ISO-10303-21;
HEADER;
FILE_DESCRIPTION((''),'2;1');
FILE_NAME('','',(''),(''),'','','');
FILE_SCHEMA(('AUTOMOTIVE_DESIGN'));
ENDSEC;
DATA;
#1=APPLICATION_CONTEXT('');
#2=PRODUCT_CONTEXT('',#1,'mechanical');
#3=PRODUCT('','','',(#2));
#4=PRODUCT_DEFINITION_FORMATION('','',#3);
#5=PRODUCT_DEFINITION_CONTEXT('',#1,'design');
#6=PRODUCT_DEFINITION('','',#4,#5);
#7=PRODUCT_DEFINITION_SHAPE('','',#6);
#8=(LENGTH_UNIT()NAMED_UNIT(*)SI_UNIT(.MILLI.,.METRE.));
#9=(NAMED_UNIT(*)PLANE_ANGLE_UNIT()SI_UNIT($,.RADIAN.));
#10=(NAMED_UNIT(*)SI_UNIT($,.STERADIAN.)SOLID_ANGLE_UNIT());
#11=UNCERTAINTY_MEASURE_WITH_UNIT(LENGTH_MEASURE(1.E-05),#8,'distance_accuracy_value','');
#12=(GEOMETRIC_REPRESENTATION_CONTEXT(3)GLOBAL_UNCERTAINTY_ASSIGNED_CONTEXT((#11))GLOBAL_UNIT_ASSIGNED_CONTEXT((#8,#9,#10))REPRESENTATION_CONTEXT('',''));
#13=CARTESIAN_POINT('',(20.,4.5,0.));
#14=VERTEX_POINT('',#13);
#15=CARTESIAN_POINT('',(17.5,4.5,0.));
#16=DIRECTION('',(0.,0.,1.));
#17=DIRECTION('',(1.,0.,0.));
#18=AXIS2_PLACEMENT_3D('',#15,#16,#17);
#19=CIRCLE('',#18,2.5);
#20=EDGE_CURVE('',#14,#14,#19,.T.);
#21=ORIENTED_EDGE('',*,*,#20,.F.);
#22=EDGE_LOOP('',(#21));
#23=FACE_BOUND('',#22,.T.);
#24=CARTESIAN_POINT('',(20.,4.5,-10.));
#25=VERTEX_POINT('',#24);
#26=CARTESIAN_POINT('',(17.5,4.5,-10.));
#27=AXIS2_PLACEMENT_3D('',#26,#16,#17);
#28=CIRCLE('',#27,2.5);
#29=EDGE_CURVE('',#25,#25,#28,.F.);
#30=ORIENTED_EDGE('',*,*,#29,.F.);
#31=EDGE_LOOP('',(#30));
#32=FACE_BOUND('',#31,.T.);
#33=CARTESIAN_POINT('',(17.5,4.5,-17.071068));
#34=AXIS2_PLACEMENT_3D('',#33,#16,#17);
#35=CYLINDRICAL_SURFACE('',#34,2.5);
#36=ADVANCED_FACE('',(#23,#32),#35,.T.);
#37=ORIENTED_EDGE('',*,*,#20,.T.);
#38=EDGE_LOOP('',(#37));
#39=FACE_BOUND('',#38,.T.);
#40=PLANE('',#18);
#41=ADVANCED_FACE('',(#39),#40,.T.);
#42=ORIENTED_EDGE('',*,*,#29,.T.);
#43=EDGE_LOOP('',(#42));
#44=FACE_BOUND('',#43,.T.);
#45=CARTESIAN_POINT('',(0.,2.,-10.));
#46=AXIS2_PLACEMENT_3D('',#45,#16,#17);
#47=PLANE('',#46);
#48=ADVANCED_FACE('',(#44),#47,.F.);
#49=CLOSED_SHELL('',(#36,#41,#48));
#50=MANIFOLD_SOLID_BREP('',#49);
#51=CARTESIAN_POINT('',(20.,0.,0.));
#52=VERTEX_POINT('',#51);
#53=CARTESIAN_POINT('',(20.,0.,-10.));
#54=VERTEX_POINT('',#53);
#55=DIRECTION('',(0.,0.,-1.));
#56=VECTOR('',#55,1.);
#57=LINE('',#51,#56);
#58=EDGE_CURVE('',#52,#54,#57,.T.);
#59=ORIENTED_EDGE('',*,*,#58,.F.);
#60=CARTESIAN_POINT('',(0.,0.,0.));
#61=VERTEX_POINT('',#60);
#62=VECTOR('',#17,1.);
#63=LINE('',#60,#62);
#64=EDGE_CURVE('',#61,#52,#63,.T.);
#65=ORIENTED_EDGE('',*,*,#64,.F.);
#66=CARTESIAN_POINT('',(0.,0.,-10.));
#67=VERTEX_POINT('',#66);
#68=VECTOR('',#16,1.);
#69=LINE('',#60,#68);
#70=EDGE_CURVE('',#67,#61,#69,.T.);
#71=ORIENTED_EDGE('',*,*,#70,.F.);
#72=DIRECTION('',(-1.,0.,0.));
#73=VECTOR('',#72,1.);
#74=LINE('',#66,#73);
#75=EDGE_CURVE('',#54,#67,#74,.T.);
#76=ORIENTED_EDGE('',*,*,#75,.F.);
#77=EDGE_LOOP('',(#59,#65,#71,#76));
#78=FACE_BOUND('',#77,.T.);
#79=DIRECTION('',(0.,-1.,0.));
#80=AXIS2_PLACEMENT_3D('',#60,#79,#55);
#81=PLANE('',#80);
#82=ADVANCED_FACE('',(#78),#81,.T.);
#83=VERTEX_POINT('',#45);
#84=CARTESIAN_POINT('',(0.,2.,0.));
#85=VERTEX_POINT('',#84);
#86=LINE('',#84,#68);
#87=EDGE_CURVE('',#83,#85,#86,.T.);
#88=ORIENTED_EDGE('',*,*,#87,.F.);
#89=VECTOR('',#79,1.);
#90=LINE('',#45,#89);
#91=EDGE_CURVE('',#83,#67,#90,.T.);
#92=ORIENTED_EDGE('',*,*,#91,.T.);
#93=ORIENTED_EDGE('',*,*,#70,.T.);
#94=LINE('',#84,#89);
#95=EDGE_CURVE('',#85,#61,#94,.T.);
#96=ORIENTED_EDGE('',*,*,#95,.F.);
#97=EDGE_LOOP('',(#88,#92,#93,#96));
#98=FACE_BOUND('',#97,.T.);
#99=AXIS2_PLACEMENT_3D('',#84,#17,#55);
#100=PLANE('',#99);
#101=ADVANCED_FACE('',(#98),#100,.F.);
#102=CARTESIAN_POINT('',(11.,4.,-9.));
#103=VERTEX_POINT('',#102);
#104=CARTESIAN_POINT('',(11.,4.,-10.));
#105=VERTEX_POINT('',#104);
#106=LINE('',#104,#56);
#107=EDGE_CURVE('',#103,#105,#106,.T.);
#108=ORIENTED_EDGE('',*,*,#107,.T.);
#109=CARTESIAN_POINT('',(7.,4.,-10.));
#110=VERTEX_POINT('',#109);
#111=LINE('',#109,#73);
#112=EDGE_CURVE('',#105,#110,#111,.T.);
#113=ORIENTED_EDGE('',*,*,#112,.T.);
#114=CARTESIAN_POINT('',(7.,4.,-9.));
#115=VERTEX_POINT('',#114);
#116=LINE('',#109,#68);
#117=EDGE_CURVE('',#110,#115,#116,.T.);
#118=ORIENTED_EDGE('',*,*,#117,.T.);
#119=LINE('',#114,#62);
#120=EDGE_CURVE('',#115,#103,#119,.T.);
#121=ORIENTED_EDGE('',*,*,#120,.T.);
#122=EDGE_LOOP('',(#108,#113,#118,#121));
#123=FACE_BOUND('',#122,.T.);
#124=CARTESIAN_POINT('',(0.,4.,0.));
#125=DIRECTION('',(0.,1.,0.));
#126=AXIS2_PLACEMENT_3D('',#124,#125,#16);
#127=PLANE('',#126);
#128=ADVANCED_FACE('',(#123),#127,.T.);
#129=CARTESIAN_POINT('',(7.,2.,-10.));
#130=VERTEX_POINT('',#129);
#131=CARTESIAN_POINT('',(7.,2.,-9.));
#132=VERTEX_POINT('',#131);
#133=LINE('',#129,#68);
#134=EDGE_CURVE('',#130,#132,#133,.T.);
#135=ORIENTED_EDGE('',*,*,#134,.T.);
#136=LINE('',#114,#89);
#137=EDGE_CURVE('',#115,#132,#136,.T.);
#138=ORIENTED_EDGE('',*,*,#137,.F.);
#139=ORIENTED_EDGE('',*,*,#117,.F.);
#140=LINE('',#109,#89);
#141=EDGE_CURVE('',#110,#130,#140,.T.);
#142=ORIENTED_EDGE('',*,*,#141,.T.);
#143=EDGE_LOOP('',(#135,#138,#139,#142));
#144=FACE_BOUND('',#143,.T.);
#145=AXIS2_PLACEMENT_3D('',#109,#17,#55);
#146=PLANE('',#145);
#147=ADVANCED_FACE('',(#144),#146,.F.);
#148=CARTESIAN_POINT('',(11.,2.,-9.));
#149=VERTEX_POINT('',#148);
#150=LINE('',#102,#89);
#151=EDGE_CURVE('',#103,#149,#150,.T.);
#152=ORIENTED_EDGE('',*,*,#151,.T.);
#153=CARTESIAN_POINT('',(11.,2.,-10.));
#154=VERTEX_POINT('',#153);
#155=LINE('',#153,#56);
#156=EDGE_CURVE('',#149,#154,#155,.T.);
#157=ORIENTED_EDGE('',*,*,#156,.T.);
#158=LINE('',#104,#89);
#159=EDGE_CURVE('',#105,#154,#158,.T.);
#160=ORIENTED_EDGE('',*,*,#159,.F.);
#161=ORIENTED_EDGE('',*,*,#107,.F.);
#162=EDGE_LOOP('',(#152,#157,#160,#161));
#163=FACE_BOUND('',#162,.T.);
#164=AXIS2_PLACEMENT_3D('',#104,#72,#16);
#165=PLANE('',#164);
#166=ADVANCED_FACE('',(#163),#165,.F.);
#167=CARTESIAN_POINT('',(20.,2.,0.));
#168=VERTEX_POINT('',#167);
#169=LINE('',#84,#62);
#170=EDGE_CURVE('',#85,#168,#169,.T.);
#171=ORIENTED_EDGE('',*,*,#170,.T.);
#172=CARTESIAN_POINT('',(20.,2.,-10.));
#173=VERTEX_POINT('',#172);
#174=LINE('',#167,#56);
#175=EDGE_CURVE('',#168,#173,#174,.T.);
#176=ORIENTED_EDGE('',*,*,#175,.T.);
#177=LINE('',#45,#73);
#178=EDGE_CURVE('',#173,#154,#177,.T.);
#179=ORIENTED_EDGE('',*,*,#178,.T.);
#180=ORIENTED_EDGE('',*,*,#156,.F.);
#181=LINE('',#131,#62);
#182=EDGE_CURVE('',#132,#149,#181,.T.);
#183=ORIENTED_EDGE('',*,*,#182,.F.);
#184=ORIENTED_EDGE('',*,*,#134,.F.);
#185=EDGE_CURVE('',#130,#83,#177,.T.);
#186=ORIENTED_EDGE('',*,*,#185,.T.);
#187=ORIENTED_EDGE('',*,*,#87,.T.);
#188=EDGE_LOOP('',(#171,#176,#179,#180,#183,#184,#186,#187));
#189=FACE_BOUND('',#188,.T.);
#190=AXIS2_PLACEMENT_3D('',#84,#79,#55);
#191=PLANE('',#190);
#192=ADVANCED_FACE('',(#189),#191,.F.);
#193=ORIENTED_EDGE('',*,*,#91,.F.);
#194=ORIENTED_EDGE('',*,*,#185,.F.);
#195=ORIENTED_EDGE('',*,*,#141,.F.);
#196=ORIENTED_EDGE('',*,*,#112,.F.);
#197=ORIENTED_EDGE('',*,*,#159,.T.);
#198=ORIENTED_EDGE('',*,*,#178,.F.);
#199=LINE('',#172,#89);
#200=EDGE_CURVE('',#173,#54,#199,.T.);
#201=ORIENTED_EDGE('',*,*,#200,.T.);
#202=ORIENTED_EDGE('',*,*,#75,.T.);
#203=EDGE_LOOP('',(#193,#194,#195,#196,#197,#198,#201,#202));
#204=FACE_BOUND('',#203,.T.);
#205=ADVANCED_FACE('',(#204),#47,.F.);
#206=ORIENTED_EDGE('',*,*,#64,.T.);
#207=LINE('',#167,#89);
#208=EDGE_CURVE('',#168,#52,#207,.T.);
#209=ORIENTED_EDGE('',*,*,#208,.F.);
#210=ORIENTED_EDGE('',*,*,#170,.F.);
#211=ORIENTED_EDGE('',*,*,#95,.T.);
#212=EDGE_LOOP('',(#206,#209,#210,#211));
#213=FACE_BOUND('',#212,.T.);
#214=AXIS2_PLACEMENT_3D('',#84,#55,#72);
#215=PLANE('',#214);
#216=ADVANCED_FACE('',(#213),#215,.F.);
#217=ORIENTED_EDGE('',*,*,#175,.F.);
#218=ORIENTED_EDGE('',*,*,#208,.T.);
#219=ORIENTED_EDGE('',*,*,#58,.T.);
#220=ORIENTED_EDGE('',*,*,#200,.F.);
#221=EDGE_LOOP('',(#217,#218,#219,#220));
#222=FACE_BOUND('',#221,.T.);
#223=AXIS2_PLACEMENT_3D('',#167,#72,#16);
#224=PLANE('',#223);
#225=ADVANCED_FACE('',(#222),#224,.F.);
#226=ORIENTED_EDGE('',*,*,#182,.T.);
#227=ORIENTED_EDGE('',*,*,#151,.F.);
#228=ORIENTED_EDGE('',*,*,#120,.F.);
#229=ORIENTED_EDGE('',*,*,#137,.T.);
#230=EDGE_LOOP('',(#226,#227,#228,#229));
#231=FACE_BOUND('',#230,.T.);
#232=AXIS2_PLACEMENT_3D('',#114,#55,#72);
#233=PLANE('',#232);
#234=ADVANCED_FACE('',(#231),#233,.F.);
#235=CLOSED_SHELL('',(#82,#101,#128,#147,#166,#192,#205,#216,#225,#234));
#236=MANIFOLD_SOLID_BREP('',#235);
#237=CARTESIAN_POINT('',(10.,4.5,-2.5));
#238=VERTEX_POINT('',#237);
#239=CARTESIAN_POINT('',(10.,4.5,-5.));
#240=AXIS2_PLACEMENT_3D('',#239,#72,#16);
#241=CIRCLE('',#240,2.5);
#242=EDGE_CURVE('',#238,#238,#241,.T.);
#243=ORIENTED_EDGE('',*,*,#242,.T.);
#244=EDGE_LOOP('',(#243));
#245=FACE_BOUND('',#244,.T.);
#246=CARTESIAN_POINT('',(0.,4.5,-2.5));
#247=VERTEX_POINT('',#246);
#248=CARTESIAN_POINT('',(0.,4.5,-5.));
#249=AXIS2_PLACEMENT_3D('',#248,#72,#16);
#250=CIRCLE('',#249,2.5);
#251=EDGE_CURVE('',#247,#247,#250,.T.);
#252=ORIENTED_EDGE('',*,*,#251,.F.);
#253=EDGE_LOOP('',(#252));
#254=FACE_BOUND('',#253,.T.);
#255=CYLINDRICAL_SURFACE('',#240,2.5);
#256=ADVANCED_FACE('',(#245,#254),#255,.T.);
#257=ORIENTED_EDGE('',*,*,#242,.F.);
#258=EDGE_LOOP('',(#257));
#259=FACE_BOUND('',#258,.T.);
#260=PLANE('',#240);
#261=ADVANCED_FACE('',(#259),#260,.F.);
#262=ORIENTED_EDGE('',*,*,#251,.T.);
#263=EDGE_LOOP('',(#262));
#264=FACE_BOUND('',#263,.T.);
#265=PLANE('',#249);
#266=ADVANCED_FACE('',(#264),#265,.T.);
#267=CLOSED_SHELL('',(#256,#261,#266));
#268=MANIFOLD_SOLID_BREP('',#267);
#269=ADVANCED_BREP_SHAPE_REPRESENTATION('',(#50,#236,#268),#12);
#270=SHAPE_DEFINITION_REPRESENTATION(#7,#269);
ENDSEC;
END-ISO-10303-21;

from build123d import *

# Parameters (mm, degrees)
SKETCH_1_W      = 20
SKETCH_1_H      = 10
EXTRUDE_1_DEPTH = 2
SKETCH_2_R      = 2.5
EXTRUDE_2_DEPTH = 10
SKETCH_3_R      = 2.5
EXTRUDE_3_DEPTH = 10
SKETCH_4_W      = 4
SKETCH_4_H      = 1
EXTRUDE_4_DEPTH = 2


with BuildPart() as part:
    # 草图1 → 凸台-拉伸1 (new body)
    with BuildSketch(Plane(origin=(0, 0, 0), x_dir=(1, 0, 0), z_dir=(0, 1, 0))):
        with Locations((10, 5)):
            Rectangle(SKETCH_1_W, SKETCH_1_H)
    extrude(amount=EXTRUDE_1_DEPTH)

    # 草图4 → 凸台-拉伸4 (add)
    with BuildSketch(Plane(origin=(0, 2, 0), x_dir=(1, 0, 0), z_dir=(0, 1, 0))):
        with Locations((9, 9.5)):
            Rectangle(SKETCH_4_W, SKETCH_4_H)
    extrude(amount=EXTRUDE_4_DEPTH)


with BuildPart() as body_2:
    # 草图2 → 凸台-拉伸2 (new body)
    with BuildSketch(Plane.XY):
        with Locations((17.5, 4.5)):
            Circle(SKETCH_2_R)
    extrude(amount=-EXTRUDE_2_DEPTH)


with BuildPart() as body_3:
    # 草图3 → 凸台-拉伸3 (new body)
    with BuildSketch(Plane.ZY):
        with Locations((-5, 4.5)):
            Circle(SKETCH_3_R)
    extrude(amount=-EXTRUDE_3_DEPTH)


solid = Compound([part.part, body_2.part, body_3.part])
